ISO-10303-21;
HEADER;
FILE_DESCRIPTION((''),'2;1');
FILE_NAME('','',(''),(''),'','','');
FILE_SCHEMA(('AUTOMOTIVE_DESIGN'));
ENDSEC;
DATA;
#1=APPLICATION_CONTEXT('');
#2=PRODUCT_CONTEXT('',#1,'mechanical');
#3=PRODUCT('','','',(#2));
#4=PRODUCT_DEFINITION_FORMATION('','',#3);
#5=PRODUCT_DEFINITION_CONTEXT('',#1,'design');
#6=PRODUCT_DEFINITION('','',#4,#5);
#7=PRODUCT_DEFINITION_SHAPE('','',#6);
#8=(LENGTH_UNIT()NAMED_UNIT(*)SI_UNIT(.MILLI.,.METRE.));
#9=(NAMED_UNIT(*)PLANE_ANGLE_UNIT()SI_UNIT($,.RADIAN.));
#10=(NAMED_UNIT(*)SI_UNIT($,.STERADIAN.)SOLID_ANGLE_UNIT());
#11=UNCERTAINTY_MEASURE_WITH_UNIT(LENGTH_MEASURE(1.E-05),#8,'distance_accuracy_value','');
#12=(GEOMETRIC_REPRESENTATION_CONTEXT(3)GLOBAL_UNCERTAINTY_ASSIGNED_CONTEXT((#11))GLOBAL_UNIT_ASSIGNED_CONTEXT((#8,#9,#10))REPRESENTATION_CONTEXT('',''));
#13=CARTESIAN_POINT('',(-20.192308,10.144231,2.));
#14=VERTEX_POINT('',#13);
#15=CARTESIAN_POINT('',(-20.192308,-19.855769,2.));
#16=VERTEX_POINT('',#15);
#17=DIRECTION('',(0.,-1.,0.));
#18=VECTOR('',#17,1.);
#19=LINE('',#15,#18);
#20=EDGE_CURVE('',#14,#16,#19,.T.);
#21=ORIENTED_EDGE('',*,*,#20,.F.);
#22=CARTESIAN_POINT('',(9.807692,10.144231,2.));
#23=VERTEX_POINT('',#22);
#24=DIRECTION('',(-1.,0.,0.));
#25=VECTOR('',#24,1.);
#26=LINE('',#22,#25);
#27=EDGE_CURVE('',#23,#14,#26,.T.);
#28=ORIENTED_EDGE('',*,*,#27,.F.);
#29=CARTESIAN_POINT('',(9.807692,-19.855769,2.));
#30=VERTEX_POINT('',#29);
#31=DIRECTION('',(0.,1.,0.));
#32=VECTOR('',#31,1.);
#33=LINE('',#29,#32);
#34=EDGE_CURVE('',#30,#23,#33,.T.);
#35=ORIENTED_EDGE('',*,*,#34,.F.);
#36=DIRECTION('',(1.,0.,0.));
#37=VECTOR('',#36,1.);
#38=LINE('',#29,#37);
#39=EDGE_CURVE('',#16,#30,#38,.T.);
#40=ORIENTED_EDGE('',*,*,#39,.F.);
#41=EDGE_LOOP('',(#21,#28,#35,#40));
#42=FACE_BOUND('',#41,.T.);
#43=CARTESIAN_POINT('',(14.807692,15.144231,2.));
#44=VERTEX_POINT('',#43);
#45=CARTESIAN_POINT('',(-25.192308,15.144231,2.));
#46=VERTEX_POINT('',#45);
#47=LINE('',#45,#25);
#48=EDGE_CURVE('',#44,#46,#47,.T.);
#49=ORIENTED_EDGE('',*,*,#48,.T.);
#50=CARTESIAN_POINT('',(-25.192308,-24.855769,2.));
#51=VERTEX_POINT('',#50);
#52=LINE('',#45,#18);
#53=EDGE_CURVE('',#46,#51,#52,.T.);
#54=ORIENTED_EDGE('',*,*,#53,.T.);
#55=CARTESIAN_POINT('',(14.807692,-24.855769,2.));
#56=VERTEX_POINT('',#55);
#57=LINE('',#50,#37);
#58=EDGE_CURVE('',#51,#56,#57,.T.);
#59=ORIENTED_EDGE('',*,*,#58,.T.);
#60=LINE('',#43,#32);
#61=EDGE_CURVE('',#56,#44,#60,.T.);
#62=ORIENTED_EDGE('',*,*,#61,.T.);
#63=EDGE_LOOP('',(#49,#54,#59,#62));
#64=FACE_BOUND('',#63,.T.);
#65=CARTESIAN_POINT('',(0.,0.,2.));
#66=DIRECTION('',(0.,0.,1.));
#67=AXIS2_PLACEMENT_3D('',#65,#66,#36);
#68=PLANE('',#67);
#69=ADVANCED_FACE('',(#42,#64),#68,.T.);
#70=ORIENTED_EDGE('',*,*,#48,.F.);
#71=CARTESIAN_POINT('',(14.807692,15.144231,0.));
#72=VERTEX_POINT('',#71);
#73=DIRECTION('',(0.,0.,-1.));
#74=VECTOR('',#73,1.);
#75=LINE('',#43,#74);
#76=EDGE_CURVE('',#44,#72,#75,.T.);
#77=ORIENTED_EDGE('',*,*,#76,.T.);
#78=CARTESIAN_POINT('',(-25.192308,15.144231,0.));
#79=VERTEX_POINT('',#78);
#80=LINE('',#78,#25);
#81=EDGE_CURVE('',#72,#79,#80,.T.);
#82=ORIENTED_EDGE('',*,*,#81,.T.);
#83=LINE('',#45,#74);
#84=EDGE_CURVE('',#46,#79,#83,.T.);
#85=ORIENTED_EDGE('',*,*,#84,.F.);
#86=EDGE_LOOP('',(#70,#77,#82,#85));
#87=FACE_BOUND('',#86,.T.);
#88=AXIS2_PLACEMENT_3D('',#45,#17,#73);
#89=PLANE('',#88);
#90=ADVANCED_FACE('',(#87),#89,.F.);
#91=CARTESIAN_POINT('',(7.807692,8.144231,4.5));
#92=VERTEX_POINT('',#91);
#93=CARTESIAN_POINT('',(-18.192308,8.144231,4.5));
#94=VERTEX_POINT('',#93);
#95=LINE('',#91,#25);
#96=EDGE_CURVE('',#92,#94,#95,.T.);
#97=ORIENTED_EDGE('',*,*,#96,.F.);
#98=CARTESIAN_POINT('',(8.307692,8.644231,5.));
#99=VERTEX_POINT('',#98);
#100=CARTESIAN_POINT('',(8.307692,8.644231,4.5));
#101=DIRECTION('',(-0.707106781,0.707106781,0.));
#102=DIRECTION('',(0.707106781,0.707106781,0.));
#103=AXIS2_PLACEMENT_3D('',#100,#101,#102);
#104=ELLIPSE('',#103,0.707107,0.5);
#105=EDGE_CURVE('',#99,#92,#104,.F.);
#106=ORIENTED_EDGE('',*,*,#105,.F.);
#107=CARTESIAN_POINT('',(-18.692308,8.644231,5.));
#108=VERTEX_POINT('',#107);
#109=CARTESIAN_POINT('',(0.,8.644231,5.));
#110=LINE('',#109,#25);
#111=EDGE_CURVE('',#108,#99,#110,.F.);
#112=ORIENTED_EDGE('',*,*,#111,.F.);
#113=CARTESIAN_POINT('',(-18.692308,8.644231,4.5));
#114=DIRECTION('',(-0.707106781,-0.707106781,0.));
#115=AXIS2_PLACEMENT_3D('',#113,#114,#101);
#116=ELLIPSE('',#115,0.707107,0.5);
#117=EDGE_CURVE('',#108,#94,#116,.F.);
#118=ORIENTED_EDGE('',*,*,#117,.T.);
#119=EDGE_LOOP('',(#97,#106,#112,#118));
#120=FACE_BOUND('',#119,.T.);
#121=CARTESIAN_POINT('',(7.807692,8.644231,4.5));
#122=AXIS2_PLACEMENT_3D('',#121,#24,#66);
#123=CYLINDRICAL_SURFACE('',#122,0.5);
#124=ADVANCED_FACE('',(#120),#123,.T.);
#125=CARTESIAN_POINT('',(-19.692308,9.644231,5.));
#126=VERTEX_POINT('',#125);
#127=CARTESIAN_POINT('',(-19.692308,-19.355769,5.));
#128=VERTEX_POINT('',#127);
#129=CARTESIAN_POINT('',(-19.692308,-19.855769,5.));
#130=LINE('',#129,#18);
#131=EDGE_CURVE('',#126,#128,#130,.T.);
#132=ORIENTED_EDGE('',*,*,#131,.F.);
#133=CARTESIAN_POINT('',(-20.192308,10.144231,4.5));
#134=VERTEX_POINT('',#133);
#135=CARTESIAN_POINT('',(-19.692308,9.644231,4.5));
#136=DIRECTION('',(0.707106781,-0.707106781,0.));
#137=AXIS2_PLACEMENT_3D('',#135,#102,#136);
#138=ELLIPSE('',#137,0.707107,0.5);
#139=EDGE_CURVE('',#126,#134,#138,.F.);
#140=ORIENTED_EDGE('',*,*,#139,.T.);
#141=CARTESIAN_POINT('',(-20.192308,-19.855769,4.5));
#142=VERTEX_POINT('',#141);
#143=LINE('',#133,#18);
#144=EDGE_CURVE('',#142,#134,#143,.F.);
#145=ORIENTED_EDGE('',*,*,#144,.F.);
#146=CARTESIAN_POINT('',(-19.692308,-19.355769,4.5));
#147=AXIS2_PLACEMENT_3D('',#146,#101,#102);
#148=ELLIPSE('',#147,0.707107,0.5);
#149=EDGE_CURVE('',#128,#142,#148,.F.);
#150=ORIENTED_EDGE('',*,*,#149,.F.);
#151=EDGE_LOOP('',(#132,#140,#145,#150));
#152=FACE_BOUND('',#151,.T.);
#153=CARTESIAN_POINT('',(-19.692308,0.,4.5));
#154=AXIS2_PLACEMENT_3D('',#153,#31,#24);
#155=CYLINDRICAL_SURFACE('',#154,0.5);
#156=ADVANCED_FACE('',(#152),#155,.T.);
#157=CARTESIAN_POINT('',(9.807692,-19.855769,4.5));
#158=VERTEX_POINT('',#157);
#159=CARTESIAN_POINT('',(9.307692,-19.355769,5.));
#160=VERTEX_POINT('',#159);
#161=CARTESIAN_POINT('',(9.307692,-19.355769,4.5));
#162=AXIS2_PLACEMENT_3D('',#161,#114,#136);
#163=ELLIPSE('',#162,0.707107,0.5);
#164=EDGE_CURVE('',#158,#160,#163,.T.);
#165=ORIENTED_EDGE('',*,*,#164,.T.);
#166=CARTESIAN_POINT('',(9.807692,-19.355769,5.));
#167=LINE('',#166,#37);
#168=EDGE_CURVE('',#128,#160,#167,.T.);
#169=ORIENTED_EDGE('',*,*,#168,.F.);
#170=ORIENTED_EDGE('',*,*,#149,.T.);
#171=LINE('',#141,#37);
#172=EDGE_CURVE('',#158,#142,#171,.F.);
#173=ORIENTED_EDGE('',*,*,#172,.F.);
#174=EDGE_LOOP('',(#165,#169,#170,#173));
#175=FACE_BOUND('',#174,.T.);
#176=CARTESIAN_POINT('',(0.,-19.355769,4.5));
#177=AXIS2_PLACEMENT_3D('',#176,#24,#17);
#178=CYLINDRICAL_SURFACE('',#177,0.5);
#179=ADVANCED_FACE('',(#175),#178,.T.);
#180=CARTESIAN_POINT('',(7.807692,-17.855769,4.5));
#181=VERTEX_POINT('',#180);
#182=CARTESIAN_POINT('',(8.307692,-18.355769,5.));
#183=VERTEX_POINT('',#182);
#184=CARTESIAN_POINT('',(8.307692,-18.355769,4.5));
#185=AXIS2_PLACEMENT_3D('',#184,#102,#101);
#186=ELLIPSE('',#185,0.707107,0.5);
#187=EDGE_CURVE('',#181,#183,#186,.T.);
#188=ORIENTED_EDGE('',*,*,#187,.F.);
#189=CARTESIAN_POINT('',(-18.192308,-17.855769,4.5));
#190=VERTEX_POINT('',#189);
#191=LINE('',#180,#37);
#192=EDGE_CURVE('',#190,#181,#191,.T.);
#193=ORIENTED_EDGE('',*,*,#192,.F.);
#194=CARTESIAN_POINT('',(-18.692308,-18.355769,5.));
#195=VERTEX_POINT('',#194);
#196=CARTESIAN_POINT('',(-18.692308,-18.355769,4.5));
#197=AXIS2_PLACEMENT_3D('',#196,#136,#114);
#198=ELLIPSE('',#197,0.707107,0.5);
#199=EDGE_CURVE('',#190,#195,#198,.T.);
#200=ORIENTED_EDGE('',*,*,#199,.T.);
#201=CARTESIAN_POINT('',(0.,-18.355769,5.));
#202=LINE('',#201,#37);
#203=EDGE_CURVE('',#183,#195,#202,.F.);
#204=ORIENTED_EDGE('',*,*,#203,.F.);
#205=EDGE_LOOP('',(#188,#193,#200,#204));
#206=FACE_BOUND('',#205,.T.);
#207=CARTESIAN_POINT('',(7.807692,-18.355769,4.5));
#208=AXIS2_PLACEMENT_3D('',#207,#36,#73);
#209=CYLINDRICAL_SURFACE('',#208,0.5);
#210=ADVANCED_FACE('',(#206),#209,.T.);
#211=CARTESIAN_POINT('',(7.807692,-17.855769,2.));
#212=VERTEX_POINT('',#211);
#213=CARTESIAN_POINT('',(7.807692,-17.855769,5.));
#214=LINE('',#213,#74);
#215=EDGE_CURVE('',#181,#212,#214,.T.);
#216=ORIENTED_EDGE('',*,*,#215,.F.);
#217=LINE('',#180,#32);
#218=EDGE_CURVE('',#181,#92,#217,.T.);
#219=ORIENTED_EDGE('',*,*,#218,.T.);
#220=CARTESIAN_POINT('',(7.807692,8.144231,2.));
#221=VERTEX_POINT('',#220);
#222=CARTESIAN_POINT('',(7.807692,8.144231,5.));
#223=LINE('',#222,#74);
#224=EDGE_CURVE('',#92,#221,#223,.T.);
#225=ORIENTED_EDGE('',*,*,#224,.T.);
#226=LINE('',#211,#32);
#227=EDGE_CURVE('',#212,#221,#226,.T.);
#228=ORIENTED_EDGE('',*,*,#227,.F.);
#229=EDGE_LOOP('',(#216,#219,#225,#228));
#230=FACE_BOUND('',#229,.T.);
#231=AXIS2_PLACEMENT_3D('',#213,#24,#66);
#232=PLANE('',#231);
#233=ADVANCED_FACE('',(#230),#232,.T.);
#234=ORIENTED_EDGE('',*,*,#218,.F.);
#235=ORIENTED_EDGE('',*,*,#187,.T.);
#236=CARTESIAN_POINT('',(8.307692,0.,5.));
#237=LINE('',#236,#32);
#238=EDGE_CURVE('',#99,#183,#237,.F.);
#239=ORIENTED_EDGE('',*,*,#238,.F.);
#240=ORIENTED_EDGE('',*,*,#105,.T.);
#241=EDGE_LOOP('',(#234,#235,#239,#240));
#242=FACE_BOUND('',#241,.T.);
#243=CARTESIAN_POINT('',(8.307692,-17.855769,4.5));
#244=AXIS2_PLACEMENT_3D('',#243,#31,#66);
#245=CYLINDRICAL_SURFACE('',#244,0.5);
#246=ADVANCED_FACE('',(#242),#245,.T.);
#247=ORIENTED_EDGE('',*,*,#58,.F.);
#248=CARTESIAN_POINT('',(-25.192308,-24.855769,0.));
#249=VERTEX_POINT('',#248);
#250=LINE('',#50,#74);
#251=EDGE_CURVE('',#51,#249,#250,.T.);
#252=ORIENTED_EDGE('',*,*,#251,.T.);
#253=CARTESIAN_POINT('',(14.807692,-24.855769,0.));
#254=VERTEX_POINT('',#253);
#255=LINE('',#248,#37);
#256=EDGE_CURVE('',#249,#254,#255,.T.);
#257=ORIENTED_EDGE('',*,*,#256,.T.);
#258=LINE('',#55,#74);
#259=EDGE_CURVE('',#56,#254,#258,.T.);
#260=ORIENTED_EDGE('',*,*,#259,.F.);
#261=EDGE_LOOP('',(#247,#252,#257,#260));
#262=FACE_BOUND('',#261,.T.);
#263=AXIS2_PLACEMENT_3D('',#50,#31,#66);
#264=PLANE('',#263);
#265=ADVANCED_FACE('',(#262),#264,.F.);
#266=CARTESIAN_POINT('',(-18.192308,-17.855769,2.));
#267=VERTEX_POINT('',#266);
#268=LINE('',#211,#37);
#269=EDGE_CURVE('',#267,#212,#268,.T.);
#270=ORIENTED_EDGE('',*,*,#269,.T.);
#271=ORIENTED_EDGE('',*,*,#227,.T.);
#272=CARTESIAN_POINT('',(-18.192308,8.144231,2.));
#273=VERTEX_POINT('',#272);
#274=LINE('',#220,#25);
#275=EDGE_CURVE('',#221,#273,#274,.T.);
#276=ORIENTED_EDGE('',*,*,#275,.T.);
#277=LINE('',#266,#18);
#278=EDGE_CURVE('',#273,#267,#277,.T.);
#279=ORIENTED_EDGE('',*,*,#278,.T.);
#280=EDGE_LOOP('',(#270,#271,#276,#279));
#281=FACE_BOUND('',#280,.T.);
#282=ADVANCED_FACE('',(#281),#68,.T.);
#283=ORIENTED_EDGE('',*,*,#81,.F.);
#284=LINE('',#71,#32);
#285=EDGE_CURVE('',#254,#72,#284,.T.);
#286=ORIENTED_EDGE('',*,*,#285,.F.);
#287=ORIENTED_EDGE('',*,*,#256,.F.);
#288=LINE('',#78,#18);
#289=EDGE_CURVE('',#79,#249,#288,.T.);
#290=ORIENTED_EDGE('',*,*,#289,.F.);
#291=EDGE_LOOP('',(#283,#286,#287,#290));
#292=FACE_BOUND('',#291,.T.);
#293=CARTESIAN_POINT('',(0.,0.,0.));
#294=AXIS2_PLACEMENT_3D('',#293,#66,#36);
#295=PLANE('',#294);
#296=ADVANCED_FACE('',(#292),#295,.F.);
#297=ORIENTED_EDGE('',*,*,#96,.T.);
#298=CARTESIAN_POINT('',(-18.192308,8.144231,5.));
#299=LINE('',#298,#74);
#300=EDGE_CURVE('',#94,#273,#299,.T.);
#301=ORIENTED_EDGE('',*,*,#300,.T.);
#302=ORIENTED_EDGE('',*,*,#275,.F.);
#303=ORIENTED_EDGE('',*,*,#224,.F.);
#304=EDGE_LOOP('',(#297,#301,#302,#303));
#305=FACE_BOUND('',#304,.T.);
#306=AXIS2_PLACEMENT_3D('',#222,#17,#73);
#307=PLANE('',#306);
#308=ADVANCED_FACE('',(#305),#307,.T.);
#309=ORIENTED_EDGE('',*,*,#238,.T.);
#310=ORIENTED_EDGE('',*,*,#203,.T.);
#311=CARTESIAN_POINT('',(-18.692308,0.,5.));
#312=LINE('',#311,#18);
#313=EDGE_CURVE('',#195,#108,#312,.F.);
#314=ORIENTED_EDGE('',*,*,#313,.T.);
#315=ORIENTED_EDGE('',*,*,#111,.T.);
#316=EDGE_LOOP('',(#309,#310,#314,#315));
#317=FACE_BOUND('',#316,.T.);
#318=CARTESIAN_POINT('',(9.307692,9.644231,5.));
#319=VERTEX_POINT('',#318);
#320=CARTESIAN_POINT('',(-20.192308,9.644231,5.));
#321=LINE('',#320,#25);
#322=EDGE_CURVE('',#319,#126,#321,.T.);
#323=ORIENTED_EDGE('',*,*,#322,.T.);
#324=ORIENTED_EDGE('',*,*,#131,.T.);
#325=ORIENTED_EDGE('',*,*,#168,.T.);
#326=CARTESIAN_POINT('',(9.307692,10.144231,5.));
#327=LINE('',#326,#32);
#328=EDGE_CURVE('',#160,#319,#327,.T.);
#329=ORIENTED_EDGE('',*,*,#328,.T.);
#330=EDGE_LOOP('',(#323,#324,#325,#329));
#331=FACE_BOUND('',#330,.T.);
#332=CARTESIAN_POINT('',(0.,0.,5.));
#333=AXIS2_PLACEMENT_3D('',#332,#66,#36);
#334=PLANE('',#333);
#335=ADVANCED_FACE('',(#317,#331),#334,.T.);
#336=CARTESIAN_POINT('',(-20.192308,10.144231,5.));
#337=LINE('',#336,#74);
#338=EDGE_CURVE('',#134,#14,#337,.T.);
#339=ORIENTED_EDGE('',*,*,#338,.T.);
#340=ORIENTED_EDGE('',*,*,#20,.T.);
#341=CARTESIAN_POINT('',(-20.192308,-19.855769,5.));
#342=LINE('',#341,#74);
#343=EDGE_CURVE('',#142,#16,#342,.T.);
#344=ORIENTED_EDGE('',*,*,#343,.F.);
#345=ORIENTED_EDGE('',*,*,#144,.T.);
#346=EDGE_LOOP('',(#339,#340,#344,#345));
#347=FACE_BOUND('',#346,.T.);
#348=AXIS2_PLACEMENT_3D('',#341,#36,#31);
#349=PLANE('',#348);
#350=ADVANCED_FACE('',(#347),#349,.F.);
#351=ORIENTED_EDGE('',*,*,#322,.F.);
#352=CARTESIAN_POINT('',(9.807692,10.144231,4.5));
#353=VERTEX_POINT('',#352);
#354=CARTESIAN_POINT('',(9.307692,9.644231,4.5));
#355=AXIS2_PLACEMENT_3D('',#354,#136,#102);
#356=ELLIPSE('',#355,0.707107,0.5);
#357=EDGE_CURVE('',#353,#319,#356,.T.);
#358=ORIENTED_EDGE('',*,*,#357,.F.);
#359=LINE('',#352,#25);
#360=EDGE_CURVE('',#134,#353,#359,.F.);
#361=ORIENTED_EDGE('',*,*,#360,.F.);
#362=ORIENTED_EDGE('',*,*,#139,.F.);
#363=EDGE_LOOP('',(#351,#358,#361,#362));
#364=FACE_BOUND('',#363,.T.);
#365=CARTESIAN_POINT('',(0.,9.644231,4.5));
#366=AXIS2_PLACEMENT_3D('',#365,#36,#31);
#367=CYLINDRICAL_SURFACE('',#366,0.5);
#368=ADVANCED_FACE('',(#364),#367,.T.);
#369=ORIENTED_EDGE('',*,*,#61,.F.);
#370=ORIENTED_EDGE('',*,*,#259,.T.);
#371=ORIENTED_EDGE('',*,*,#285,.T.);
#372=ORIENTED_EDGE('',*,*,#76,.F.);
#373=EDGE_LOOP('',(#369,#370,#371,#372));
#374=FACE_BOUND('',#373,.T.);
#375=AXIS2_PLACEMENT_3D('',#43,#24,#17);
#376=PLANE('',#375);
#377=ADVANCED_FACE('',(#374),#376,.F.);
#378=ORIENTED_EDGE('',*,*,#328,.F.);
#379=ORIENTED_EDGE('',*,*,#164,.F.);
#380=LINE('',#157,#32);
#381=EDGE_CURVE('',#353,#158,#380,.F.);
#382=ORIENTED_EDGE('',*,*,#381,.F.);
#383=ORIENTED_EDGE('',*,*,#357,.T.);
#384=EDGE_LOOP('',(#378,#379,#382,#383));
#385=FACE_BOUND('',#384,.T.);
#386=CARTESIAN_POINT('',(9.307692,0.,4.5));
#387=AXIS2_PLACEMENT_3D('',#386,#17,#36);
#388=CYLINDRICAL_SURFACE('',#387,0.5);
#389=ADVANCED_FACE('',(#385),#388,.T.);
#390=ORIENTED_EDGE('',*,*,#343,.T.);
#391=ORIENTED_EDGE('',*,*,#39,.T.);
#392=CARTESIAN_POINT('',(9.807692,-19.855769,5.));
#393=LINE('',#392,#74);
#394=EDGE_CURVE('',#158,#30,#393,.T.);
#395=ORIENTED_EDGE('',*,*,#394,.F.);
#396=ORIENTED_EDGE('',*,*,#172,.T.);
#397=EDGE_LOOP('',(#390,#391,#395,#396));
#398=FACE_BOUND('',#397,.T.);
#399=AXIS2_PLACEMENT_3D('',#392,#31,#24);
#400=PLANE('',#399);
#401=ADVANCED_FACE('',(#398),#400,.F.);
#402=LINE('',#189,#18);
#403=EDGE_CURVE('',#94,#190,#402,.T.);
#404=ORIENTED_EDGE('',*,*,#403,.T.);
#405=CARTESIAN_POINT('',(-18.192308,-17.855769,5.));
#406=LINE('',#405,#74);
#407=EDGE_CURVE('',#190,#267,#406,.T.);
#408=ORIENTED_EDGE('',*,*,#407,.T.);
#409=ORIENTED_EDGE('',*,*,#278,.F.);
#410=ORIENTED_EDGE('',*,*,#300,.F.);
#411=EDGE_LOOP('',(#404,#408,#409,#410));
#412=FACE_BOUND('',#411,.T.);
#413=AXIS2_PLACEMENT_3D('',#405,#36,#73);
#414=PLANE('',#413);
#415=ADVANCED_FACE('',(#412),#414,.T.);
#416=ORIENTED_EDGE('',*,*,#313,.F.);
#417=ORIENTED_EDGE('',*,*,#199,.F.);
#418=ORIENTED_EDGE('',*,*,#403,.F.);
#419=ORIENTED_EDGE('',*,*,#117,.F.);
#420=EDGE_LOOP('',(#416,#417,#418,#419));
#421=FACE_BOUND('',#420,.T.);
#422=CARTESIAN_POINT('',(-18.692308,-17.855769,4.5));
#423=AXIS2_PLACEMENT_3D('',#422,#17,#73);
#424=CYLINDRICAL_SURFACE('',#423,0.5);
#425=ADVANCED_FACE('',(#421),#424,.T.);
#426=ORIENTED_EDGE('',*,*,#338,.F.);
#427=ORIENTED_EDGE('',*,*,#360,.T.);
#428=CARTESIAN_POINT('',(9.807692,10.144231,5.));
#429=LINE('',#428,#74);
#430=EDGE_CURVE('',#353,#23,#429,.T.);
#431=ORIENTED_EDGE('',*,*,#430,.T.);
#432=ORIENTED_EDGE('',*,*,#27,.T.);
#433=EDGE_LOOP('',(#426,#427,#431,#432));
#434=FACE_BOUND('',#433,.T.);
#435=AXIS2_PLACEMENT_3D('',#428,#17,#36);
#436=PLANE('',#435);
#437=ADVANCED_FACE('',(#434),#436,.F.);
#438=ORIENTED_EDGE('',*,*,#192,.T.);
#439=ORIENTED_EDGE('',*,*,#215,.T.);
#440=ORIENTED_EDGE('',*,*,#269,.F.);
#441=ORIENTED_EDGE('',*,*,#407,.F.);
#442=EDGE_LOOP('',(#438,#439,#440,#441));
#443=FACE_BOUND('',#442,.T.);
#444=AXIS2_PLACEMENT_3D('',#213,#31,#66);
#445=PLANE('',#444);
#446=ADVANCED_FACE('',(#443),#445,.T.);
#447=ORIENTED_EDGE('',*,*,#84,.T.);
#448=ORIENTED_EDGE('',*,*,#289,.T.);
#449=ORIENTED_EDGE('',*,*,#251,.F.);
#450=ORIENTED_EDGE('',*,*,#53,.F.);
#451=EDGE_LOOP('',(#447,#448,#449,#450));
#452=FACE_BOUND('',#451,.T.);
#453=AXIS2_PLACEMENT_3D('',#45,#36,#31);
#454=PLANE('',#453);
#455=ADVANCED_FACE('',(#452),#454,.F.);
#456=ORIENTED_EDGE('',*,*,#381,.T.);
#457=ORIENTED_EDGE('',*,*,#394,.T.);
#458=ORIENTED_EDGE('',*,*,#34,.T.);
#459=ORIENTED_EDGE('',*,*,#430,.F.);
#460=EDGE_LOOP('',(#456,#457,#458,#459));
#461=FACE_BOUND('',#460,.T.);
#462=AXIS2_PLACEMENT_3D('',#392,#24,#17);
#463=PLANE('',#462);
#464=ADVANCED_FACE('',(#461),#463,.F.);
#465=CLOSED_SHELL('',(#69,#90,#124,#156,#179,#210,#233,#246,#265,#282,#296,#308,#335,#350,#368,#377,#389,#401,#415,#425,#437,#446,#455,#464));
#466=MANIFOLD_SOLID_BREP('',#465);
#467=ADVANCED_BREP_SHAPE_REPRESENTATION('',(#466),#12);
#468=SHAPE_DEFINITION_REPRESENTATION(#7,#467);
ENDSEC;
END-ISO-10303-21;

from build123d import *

# Parameters (mm, degrees)
SKETCH1_W           = 40
SKETCH1_H           = 40
BOSS_EXTRUDE1_DEPTH = 2
SKETCH2_W           = 30
SKETCH2_H           = 30
SKETCH2_W_2         = 26
SKETCH2_H_2         = 26
BOSS_EXTRUDE2_DEPTH = 3
FILLET1_R           = 0.5


with BuildPart() as part:
    # Sketch1 → Boss-Extrude1 (new body)
    with BuildSketch(Plane.XY):
        with Locations((-5.192307692, -4.855769231)):
            Rectangle(SKETCH1_W, SKETCH1_H)
    extrude(amount=BOSS_EXTRUDE1_DEPTH)

    # Sketch2 → Boss-Extrude2 (add)
    with BuildSketch(Plane.XY.offset(2)):
        with Locations((-5.192307692, -4.855769231)):
            Rectangle(SKETCH2_W, SKETCH2_H)
        with Locations((-5.192307692, -4.855769231)):
            Rectangle(SKETCH2_W_2, SKETCH2_H_2, mode=Mode.SUBTRACT)
    extrude(amount=BOSS_EXTRUDE2_DEPTH)

    # Fillet1
    fillet1_edges = [part.edges().sort_by_distance(p)[0] for p in [
        (-20.192307692, -4.855769231, 5),
        (-5.192307692, -19.855769231, 5),
        (9.807692308, -4.855769231, 5),
        (-5.192307692, 10.144230769, 5),
        (-18.192307692, -4.855769231, 5),
        (-5.192307692, -17.855769231, 5),
        (7.807692308, -4.855769231, 5),
        (-5.192307692, 8.144230769, 5),
    ]]
    fillet(fillet1_edges, radius=FILLET1_R)


solid = part.part
